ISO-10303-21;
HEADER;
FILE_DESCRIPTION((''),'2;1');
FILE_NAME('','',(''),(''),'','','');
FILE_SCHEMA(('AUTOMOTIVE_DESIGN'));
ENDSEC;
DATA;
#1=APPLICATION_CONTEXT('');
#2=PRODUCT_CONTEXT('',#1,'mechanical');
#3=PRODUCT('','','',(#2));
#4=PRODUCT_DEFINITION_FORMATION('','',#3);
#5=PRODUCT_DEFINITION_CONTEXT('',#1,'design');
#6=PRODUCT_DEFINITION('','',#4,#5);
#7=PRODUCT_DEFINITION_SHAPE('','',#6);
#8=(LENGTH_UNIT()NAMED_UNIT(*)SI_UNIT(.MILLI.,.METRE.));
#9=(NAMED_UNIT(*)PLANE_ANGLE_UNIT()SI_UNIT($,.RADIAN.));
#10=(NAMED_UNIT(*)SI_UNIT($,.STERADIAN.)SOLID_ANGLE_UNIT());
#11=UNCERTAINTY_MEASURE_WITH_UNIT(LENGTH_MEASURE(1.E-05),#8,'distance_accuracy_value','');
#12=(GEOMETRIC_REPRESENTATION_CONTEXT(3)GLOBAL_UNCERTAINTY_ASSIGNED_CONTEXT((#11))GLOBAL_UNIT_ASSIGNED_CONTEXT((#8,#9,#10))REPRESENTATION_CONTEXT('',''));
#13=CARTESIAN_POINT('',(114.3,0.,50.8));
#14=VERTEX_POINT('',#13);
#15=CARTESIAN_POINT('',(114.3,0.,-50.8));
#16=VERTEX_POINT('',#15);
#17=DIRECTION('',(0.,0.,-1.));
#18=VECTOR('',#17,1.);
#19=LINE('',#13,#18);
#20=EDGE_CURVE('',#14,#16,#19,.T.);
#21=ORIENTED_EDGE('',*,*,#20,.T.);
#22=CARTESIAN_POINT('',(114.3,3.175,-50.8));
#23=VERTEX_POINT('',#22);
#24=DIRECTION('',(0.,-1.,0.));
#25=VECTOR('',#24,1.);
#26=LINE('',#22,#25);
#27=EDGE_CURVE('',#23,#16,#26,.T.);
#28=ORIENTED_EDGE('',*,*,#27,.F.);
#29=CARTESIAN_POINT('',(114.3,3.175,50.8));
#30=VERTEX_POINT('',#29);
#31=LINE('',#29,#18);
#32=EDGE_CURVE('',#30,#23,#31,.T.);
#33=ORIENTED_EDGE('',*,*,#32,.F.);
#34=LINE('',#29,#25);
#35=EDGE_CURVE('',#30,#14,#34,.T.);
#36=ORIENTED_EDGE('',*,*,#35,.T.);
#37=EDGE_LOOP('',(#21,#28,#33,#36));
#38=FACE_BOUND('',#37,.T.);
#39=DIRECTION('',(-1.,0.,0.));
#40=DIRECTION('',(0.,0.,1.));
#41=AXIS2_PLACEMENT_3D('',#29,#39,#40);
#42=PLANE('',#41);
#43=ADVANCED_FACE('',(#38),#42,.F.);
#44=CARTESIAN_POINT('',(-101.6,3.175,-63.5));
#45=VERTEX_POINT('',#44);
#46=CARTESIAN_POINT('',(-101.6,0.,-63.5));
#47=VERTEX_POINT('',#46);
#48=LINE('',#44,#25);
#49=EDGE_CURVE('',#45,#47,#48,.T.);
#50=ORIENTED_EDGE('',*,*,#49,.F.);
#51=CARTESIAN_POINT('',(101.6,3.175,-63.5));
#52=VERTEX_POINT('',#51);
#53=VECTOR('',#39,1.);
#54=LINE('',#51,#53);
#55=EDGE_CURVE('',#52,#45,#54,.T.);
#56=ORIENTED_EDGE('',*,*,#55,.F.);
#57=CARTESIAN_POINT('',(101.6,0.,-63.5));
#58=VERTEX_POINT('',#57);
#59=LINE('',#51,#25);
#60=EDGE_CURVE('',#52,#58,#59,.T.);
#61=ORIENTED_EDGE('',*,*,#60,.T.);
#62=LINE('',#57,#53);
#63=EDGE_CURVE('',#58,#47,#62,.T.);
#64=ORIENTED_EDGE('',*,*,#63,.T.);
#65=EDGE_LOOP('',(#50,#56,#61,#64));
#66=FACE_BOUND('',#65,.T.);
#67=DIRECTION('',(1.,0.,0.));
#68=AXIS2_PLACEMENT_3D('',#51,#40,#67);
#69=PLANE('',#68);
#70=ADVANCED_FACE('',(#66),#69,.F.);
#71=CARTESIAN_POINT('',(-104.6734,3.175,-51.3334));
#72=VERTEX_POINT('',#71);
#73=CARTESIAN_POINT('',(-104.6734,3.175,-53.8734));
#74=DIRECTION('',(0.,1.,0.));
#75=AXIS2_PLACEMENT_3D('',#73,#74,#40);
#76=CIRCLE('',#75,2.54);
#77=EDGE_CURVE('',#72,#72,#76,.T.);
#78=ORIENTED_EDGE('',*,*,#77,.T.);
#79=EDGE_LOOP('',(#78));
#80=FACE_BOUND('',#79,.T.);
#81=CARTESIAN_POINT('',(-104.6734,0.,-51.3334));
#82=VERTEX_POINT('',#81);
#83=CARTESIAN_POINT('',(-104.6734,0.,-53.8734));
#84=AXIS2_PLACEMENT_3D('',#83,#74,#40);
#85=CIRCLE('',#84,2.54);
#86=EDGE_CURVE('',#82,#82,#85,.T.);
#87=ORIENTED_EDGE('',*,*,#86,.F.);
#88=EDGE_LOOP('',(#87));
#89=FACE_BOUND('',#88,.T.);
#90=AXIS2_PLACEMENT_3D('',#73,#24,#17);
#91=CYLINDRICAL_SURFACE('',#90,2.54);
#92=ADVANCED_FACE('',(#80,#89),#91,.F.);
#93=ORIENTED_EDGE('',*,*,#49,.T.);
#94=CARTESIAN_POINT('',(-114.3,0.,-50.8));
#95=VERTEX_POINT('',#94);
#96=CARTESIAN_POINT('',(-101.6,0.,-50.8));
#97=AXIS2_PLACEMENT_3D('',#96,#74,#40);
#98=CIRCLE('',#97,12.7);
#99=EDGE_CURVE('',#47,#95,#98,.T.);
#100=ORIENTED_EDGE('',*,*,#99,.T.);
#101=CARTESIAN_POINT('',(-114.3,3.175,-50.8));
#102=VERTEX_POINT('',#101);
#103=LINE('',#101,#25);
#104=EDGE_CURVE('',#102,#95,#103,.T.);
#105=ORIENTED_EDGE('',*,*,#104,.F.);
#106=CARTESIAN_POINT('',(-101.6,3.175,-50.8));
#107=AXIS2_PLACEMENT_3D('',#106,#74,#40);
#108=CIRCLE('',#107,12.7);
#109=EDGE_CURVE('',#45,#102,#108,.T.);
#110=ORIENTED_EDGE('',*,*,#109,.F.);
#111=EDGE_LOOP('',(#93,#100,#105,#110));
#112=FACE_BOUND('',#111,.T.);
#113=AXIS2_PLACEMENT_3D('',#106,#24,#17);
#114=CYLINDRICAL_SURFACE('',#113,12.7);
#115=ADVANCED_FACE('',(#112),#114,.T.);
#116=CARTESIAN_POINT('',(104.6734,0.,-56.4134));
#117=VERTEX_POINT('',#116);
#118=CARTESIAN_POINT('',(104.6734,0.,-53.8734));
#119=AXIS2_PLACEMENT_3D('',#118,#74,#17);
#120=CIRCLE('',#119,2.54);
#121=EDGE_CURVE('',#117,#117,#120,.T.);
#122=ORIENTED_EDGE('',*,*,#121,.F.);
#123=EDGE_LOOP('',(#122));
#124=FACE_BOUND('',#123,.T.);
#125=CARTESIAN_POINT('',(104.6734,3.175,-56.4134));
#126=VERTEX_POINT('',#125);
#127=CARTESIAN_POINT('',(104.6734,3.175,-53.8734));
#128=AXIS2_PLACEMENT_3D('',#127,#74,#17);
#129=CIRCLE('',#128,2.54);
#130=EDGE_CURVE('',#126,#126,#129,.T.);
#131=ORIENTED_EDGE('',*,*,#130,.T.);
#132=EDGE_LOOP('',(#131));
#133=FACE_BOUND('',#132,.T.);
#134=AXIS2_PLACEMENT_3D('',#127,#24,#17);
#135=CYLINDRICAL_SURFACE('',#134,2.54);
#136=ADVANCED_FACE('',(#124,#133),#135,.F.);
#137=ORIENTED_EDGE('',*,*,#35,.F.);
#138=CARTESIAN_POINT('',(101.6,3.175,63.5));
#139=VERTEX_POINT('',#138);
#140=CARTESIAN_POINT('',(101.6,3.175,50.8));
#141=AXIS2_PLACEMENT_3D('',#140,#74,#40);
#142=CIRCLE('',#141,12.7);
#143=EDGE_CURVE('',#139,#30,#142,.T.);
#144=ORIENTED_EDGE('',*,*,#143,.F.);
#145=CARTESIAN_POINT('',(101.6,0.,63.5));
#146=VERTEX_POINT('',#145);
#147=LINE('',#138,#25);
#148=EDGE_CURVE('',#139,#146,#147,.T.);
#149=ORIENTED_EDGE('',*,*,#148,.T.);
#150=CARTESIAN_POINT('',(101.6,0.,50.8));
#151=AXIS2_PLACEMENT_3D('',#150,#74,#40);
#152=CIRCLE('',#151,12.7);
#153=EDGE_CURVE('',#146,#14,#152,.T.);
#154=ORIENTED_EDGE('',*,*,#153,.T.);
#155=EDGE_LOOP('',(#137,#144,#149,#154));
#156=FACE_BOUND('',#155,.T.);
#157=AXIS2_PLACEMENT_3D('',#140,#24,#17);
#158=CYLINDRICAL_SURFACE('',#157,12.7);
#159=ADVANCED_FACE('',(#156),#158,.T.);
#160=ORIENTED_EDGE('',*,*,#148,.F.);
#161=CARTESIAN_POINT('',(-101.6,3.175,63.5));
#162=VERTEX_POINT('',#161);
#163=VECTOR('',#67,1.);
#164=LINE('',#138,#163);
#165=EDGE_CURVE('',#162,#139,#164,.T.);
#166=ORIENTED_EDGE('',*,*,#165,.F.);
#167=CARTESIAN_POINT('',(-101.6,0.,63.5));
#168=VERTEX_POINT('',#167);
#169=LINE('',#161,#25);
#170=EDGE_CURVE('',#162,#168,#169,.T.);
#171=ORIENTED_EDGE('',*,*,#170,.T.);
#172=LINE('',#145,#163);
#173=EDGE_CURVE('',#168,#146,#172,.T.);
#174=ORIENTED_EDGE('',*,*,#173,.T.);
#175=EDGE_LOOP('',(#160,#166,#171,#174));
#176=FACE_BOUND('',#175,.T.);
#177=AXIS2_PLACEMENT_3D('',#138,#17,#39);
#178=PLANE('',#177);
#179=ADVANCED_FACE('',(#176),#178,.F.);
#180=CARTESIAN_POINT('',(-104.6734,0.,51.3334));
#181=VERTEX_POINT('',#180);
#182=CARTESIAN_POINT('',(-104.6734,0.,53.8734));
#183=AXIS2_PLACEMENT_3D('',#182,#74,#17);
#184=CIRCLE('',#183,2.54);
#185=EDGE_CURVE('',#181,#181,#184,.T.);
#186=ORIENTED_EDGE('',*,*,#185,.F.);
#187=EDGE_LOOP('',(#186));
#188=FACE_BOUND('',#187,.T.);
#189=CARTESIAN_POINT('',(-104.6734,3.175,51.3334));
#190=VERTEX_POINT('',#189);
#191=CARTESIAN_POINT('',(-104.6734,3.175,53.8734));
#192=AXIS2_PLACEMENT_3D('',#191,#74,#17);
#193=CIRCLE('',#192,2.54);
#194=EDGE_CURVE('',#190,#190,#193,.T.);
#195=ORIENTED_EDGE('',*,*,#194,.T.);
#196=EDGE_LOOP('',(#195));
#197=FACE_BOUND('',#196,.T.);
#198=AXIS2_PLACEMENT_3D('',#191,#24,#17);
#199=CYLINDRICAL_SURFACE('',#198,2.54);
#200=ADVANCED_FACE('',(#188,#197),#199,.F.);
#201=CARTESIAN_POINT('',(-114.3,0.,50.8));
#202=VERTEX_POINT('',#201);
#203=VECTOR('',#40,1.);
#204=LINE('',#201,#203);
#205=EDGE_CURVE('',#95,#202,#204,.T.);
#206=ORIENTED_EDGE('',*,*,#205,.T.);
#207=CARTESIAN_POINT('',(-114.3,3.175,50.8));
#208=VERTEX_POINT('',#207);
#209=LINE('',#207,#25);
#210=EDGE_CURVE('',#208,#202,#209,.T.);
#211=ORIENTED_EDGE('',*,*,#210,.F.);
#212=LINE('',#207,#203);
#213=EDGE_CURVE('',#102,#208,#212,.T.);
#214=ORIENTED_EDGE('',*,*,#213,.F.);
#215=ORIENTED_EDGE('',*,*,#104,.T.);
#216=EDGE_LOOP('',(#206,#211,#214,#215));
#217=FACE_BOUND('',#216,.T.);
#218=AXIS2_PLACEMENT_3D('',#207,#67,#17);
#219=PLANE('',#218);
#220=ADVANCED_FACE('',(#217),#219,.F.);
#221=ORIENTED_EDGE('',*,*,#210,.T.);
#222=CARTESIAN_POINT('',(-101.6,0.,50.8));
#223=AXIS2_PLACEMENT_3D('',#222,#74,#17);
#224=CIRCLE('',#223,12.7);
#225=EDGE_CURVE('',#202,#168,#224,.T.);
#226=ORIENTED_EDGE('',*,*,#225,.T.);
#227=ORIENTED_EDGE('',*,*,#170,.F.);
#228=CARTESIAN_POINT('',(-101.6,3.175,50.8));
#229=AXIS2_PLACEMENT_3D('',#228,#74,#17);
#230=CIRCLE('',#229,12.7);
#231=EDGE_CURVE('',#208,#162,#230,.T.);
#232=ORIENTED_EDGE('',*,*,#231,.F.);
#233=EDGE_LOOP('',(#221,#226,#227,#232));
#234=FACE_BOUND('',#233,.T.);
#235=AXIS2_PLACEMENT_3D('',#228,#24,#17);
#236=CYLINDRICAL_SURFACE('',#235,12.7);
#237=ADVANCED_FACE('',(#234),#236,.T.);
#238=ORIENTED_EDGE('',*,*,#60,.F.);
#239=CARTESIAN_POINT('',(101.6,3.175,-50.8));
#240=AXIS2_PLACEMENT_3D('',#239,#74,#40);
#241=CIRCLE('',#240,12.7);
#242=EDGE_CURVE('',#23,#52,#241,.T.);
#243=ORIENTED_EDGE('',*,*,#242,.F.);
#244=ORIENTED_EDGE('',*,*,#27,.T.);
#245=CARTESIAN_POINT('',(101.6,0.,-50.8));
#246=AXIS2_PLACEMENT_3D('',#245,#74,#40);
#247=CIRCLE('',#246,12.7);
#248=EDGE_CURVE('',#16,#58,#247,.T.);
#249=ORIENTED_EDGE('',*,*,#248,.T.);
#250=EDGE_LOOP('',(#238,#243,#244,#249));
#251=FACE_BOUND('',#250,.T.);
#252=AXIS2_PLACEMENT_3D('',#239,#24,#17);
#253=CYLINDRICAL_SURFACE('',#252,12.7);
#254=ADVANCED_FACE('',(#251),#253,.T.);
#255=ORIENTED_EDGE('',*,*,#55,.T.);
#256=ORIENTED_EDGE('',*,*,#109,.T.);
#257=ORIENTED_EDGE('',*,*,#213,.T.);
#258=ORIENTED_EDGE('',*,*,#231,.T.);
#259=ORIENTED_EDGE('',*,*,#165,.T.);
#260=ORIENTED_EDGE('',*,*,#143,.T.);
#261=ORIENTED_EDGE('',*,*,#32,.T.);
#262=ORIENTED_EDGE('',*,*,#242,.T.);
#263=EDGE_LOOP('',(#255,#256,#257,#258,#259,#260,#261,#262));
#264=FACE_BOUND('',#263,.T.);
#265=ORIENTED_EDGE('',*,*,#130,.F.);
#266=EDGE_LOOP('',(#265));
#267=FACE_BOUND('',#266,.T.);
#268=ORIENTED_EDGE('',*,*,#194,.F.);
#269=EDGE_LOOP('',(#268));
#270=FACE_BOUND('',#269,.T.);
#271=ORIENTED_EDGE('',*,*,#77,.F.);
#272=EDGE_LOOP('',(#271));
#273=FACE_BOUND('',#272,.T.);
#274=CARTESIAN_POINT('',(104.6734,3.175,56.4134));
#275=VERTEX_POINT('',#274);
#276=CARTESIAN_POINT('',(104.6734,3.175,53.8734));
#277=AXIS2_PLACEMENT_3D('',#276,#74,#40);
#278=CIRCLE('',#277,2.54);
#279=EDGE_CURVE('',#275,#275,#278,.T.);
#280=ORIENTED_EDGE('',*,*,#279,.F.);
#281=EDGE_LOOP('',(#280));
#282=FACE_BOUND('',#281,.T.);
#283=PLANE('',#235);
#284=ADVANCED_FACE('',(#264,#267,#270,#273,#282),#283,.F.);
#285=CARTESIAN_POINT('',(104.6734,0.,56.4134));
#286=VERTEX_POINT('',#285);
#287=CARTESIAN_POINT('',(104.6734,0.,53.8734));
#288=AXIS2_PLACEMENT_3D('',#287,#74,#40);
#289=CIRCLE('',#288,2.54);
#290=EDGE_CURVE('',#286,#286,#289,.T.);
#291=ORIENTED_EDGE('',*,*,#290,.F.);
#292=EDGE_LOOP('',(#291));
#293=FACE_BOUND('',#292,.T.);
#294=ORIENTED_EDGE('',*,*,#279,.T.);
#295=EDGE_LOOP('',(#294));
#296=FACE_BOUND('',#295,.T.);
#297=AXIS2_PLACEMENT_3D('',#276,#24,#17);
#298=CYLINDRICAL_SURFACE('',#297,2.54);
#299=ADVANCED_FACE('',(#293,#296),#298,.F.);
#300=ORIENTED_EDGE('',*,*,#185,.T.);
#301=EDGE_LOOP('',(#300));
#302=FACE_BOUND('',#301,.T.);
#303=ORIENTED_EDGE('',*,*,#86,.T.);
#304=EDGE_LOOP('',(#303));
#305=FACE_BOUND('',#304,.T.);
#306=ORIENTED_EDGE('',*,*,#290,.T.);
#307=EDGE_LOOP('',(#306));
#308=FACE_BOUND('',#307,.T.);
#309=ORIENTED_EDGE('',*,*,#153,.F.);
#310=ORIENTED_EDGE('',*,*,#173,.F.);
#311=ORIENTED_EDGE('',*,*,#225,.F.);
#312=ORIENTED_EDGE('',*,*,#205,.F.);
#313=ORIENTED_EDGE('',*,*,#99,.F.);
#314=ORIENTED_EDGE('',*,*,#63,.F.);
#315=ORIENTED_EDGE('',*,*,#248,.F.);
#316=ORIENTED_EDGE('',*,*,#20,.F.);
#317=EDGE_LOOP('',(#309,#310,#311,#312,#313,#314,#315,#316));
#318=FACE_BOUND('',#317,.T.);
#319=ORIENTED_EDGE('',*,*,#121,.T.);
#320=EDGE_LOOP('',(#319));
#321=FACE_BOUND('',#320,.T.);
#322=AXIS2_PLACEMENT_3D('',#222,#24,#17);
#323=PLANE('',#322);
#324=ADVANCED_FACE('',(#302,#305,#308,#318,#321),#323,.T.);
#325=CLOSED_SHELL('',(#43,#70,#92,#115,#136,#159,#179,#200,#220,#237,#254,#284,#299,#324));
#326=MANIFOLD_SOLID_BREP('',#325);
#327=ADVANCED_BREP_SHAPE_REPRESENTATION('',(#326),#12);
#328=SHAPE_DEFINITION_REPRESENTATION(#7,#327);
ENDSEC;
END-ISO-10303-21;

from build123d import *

# Parameters (mm, degrees)
SKETCH1_R           = 2.54
BOSS_EXTRUDE2_DEPTH = 3.175


with BuildPart() as part:
    # Sketch1 → Boss-Extrude2 (new body)
    with BuildSketch(Plane(origin=(0, 0, 0), x_dir=(1, 0, 0), z_dir=(0, 1, 0))):
        with BuildLine():
            Line((101.6, -63.5), (-101.6, -63.5))
            ThreePointArc((-101.6, -63.5), (-110.580256121, -59.780256121), (-114.3, -50.8))
            Line((-114.3, -50.8), (-114.3, 50.8))
            ThreePointArc((-114.3, 50.8), (-110.580256121, 59.780256121), (-101.6, 63.5))
            Line((-101.6, 63.5), (101.6, 63.5))
            ThreePointArc((101.6, 63.5), (110.580256121, 59.780256121), (114.3, 50.8))
            Line((114.3, 50.8), (114.3, -50.8))
            ThreePointArc((114.3, -50.8), (110.580256121, -59.780256121), (101.6, -63.5))
        make_face()
        with Locations(Location((-104.6734, 53.8734, 0), (0, 0, 270))):
            Circle(SKETCH1_R, mode=Mode.SUBTRACT)
        with Locations(Location((104.6734, 53.8734, 0), (0, 0, 90))):
            Circle(SKETCH1_R, mode=Mode.SUBTRACT)
        with Locations(Location((104.6734, -53.8734, 0), (0, 0, 270))):
            Circle(SKETCH1_R, mode=Mode.SUBTRACT)
        with Locations(Location((-104.6734, -53.8734, 0), (0, 0, 90))):
            Circle(SKETCH1_R, mode=Mode.SUBTRACT)
    extrude(amount=BOSS_EXTRUDE2_DEPTH)


solid = part.part
